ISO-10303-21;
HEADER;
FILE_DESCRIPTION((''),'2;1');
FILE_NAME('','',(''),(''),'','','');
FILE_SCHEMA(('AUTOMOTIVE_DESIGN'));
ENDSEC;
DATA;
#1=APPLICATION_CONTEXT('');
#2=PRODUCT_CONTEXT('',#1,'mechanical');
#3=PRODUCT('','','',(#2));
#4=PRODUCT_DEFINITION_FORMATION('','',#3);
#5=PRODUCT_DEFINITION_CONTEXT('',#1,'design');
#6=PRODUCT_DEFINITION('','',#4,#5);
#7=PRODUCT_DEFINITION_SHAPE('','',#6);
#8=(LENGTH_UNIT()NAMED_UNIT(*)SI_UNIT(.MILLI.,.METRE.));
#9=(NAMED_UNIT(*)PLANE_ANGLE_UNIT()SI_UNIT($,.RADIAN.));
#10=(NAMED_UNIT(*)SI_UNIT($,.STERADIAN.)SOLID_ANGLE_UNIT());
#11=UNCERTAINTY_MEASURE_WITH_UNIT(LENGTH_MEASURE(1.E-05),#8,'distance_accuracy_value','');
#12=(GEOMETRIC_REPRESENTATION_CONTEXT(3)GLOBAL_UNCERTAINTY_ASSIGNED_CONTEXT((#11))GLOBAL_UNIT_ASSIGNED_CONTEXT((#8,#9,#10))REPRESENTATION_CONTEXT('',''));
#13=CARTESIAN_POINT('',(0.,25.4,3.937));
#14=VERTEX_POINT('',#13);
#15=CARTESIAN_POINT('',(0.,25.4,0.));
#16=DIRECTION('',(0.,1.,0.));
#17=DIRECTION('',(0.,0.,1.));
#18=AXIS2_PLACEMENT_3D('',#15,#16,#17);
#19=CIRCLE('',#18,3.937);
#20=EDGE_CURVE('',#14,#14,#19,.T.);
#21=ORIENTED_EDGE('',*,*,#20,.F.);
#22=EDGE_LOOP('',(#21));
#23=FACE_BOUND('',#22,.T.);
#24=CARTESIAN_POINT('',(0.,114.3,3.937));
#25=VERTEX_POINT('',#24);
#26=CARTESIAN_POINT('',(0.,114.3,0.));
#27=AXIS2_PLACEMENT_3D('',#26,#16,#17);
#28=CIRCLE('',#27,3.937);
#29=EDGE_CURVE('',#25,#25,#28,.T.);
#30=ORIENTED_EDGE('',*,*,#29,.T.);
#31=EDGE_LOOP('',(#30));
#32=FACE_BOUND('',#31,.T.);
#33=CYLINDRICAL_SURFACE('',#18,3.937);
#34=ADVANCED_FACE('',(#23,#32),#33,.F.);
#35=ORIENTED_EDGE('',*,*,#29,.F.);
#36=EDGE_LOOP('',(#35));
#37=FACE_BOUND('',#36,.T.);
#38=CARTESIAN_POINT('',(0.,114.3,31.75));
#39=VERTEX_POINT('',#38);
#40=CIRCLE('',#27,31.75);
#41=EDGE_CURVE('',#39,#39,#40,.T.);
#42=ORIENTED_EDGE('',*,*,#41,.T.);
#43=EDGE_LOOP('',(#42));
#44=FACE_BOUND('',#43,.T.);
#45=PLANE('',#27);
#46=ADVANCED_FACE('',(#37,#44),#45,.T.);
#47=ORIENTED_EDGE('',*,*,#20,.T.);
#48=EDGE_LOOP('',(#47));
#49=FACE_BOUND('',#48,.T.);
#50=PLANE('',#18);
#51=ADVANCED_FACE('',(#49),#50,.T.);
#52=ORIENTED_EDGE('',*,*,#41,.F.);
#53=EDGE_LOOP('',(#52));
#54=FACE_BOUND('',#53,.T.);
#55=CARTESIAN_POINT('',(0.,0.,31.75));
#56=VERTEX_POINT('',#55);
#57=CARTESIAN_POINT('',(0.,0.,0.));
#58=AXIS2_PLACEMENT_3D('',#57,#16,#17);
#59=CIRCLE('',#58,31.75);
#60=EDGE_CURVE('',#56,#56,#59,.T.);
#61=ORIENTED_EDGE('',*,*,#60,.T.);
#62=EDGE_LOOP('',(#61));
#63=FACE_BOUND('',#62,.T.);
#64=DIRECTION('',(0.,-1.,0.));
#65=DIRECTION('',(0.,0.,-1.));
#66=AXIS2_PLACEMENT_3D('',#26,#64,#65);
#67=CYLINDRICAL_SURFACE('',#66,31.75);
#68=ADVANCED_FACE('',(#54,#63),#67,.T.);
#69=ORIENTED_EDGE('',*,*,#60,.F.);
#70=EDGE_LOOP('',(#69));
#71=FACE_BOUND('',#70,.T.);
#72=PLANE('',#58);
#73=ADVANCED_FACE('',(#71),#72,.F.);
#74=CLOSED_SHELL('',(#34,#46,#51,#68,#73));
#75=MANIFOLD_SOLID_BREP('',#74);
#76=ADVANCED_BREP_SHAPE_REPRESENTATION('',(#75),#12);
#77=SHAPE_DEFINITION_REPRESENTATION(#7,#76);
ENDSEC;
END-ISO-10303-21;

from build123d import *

# Parameters (mm, degrees)
SKETCH5_R           = 31.75
BOSS_EXTRUDE1_DEPTH = 114.3
SKETCH7_R           = 3.937
CUT_EXTRUDE1_DEPTH  = 88.9


with BuildPart() as part:
    # Sketch5 → Boss-Extrude1 (new body)
    with BuildSketch(Plane(origin=(0, 0, 0), x_dir=(1, 0, 0), z_dir=(0, 1, 0))):
        with Locations(Location((0, 0, 0), (0, 0, 270))):
            Circle(SKETCH5_R)
    extrude(amount=BOSS_EXTRUDE1_DEPTH)

    # Sketch7 → Cut-Extrude1 (cut)
    with BuildSketch(Plane(origin=(0, 114.3, 0), x_dir=(1, 0, 0), z_dir=(0, 1, 0))):
        with Locations(Location((0, 0, 0), (0, 0, 270))):
            Circle(SKETCH7_R)
    extrude(amount=-CUT_EXTRUDE1_DEPTH, mode=Mode.SUBTRACT)


solid = part.part
